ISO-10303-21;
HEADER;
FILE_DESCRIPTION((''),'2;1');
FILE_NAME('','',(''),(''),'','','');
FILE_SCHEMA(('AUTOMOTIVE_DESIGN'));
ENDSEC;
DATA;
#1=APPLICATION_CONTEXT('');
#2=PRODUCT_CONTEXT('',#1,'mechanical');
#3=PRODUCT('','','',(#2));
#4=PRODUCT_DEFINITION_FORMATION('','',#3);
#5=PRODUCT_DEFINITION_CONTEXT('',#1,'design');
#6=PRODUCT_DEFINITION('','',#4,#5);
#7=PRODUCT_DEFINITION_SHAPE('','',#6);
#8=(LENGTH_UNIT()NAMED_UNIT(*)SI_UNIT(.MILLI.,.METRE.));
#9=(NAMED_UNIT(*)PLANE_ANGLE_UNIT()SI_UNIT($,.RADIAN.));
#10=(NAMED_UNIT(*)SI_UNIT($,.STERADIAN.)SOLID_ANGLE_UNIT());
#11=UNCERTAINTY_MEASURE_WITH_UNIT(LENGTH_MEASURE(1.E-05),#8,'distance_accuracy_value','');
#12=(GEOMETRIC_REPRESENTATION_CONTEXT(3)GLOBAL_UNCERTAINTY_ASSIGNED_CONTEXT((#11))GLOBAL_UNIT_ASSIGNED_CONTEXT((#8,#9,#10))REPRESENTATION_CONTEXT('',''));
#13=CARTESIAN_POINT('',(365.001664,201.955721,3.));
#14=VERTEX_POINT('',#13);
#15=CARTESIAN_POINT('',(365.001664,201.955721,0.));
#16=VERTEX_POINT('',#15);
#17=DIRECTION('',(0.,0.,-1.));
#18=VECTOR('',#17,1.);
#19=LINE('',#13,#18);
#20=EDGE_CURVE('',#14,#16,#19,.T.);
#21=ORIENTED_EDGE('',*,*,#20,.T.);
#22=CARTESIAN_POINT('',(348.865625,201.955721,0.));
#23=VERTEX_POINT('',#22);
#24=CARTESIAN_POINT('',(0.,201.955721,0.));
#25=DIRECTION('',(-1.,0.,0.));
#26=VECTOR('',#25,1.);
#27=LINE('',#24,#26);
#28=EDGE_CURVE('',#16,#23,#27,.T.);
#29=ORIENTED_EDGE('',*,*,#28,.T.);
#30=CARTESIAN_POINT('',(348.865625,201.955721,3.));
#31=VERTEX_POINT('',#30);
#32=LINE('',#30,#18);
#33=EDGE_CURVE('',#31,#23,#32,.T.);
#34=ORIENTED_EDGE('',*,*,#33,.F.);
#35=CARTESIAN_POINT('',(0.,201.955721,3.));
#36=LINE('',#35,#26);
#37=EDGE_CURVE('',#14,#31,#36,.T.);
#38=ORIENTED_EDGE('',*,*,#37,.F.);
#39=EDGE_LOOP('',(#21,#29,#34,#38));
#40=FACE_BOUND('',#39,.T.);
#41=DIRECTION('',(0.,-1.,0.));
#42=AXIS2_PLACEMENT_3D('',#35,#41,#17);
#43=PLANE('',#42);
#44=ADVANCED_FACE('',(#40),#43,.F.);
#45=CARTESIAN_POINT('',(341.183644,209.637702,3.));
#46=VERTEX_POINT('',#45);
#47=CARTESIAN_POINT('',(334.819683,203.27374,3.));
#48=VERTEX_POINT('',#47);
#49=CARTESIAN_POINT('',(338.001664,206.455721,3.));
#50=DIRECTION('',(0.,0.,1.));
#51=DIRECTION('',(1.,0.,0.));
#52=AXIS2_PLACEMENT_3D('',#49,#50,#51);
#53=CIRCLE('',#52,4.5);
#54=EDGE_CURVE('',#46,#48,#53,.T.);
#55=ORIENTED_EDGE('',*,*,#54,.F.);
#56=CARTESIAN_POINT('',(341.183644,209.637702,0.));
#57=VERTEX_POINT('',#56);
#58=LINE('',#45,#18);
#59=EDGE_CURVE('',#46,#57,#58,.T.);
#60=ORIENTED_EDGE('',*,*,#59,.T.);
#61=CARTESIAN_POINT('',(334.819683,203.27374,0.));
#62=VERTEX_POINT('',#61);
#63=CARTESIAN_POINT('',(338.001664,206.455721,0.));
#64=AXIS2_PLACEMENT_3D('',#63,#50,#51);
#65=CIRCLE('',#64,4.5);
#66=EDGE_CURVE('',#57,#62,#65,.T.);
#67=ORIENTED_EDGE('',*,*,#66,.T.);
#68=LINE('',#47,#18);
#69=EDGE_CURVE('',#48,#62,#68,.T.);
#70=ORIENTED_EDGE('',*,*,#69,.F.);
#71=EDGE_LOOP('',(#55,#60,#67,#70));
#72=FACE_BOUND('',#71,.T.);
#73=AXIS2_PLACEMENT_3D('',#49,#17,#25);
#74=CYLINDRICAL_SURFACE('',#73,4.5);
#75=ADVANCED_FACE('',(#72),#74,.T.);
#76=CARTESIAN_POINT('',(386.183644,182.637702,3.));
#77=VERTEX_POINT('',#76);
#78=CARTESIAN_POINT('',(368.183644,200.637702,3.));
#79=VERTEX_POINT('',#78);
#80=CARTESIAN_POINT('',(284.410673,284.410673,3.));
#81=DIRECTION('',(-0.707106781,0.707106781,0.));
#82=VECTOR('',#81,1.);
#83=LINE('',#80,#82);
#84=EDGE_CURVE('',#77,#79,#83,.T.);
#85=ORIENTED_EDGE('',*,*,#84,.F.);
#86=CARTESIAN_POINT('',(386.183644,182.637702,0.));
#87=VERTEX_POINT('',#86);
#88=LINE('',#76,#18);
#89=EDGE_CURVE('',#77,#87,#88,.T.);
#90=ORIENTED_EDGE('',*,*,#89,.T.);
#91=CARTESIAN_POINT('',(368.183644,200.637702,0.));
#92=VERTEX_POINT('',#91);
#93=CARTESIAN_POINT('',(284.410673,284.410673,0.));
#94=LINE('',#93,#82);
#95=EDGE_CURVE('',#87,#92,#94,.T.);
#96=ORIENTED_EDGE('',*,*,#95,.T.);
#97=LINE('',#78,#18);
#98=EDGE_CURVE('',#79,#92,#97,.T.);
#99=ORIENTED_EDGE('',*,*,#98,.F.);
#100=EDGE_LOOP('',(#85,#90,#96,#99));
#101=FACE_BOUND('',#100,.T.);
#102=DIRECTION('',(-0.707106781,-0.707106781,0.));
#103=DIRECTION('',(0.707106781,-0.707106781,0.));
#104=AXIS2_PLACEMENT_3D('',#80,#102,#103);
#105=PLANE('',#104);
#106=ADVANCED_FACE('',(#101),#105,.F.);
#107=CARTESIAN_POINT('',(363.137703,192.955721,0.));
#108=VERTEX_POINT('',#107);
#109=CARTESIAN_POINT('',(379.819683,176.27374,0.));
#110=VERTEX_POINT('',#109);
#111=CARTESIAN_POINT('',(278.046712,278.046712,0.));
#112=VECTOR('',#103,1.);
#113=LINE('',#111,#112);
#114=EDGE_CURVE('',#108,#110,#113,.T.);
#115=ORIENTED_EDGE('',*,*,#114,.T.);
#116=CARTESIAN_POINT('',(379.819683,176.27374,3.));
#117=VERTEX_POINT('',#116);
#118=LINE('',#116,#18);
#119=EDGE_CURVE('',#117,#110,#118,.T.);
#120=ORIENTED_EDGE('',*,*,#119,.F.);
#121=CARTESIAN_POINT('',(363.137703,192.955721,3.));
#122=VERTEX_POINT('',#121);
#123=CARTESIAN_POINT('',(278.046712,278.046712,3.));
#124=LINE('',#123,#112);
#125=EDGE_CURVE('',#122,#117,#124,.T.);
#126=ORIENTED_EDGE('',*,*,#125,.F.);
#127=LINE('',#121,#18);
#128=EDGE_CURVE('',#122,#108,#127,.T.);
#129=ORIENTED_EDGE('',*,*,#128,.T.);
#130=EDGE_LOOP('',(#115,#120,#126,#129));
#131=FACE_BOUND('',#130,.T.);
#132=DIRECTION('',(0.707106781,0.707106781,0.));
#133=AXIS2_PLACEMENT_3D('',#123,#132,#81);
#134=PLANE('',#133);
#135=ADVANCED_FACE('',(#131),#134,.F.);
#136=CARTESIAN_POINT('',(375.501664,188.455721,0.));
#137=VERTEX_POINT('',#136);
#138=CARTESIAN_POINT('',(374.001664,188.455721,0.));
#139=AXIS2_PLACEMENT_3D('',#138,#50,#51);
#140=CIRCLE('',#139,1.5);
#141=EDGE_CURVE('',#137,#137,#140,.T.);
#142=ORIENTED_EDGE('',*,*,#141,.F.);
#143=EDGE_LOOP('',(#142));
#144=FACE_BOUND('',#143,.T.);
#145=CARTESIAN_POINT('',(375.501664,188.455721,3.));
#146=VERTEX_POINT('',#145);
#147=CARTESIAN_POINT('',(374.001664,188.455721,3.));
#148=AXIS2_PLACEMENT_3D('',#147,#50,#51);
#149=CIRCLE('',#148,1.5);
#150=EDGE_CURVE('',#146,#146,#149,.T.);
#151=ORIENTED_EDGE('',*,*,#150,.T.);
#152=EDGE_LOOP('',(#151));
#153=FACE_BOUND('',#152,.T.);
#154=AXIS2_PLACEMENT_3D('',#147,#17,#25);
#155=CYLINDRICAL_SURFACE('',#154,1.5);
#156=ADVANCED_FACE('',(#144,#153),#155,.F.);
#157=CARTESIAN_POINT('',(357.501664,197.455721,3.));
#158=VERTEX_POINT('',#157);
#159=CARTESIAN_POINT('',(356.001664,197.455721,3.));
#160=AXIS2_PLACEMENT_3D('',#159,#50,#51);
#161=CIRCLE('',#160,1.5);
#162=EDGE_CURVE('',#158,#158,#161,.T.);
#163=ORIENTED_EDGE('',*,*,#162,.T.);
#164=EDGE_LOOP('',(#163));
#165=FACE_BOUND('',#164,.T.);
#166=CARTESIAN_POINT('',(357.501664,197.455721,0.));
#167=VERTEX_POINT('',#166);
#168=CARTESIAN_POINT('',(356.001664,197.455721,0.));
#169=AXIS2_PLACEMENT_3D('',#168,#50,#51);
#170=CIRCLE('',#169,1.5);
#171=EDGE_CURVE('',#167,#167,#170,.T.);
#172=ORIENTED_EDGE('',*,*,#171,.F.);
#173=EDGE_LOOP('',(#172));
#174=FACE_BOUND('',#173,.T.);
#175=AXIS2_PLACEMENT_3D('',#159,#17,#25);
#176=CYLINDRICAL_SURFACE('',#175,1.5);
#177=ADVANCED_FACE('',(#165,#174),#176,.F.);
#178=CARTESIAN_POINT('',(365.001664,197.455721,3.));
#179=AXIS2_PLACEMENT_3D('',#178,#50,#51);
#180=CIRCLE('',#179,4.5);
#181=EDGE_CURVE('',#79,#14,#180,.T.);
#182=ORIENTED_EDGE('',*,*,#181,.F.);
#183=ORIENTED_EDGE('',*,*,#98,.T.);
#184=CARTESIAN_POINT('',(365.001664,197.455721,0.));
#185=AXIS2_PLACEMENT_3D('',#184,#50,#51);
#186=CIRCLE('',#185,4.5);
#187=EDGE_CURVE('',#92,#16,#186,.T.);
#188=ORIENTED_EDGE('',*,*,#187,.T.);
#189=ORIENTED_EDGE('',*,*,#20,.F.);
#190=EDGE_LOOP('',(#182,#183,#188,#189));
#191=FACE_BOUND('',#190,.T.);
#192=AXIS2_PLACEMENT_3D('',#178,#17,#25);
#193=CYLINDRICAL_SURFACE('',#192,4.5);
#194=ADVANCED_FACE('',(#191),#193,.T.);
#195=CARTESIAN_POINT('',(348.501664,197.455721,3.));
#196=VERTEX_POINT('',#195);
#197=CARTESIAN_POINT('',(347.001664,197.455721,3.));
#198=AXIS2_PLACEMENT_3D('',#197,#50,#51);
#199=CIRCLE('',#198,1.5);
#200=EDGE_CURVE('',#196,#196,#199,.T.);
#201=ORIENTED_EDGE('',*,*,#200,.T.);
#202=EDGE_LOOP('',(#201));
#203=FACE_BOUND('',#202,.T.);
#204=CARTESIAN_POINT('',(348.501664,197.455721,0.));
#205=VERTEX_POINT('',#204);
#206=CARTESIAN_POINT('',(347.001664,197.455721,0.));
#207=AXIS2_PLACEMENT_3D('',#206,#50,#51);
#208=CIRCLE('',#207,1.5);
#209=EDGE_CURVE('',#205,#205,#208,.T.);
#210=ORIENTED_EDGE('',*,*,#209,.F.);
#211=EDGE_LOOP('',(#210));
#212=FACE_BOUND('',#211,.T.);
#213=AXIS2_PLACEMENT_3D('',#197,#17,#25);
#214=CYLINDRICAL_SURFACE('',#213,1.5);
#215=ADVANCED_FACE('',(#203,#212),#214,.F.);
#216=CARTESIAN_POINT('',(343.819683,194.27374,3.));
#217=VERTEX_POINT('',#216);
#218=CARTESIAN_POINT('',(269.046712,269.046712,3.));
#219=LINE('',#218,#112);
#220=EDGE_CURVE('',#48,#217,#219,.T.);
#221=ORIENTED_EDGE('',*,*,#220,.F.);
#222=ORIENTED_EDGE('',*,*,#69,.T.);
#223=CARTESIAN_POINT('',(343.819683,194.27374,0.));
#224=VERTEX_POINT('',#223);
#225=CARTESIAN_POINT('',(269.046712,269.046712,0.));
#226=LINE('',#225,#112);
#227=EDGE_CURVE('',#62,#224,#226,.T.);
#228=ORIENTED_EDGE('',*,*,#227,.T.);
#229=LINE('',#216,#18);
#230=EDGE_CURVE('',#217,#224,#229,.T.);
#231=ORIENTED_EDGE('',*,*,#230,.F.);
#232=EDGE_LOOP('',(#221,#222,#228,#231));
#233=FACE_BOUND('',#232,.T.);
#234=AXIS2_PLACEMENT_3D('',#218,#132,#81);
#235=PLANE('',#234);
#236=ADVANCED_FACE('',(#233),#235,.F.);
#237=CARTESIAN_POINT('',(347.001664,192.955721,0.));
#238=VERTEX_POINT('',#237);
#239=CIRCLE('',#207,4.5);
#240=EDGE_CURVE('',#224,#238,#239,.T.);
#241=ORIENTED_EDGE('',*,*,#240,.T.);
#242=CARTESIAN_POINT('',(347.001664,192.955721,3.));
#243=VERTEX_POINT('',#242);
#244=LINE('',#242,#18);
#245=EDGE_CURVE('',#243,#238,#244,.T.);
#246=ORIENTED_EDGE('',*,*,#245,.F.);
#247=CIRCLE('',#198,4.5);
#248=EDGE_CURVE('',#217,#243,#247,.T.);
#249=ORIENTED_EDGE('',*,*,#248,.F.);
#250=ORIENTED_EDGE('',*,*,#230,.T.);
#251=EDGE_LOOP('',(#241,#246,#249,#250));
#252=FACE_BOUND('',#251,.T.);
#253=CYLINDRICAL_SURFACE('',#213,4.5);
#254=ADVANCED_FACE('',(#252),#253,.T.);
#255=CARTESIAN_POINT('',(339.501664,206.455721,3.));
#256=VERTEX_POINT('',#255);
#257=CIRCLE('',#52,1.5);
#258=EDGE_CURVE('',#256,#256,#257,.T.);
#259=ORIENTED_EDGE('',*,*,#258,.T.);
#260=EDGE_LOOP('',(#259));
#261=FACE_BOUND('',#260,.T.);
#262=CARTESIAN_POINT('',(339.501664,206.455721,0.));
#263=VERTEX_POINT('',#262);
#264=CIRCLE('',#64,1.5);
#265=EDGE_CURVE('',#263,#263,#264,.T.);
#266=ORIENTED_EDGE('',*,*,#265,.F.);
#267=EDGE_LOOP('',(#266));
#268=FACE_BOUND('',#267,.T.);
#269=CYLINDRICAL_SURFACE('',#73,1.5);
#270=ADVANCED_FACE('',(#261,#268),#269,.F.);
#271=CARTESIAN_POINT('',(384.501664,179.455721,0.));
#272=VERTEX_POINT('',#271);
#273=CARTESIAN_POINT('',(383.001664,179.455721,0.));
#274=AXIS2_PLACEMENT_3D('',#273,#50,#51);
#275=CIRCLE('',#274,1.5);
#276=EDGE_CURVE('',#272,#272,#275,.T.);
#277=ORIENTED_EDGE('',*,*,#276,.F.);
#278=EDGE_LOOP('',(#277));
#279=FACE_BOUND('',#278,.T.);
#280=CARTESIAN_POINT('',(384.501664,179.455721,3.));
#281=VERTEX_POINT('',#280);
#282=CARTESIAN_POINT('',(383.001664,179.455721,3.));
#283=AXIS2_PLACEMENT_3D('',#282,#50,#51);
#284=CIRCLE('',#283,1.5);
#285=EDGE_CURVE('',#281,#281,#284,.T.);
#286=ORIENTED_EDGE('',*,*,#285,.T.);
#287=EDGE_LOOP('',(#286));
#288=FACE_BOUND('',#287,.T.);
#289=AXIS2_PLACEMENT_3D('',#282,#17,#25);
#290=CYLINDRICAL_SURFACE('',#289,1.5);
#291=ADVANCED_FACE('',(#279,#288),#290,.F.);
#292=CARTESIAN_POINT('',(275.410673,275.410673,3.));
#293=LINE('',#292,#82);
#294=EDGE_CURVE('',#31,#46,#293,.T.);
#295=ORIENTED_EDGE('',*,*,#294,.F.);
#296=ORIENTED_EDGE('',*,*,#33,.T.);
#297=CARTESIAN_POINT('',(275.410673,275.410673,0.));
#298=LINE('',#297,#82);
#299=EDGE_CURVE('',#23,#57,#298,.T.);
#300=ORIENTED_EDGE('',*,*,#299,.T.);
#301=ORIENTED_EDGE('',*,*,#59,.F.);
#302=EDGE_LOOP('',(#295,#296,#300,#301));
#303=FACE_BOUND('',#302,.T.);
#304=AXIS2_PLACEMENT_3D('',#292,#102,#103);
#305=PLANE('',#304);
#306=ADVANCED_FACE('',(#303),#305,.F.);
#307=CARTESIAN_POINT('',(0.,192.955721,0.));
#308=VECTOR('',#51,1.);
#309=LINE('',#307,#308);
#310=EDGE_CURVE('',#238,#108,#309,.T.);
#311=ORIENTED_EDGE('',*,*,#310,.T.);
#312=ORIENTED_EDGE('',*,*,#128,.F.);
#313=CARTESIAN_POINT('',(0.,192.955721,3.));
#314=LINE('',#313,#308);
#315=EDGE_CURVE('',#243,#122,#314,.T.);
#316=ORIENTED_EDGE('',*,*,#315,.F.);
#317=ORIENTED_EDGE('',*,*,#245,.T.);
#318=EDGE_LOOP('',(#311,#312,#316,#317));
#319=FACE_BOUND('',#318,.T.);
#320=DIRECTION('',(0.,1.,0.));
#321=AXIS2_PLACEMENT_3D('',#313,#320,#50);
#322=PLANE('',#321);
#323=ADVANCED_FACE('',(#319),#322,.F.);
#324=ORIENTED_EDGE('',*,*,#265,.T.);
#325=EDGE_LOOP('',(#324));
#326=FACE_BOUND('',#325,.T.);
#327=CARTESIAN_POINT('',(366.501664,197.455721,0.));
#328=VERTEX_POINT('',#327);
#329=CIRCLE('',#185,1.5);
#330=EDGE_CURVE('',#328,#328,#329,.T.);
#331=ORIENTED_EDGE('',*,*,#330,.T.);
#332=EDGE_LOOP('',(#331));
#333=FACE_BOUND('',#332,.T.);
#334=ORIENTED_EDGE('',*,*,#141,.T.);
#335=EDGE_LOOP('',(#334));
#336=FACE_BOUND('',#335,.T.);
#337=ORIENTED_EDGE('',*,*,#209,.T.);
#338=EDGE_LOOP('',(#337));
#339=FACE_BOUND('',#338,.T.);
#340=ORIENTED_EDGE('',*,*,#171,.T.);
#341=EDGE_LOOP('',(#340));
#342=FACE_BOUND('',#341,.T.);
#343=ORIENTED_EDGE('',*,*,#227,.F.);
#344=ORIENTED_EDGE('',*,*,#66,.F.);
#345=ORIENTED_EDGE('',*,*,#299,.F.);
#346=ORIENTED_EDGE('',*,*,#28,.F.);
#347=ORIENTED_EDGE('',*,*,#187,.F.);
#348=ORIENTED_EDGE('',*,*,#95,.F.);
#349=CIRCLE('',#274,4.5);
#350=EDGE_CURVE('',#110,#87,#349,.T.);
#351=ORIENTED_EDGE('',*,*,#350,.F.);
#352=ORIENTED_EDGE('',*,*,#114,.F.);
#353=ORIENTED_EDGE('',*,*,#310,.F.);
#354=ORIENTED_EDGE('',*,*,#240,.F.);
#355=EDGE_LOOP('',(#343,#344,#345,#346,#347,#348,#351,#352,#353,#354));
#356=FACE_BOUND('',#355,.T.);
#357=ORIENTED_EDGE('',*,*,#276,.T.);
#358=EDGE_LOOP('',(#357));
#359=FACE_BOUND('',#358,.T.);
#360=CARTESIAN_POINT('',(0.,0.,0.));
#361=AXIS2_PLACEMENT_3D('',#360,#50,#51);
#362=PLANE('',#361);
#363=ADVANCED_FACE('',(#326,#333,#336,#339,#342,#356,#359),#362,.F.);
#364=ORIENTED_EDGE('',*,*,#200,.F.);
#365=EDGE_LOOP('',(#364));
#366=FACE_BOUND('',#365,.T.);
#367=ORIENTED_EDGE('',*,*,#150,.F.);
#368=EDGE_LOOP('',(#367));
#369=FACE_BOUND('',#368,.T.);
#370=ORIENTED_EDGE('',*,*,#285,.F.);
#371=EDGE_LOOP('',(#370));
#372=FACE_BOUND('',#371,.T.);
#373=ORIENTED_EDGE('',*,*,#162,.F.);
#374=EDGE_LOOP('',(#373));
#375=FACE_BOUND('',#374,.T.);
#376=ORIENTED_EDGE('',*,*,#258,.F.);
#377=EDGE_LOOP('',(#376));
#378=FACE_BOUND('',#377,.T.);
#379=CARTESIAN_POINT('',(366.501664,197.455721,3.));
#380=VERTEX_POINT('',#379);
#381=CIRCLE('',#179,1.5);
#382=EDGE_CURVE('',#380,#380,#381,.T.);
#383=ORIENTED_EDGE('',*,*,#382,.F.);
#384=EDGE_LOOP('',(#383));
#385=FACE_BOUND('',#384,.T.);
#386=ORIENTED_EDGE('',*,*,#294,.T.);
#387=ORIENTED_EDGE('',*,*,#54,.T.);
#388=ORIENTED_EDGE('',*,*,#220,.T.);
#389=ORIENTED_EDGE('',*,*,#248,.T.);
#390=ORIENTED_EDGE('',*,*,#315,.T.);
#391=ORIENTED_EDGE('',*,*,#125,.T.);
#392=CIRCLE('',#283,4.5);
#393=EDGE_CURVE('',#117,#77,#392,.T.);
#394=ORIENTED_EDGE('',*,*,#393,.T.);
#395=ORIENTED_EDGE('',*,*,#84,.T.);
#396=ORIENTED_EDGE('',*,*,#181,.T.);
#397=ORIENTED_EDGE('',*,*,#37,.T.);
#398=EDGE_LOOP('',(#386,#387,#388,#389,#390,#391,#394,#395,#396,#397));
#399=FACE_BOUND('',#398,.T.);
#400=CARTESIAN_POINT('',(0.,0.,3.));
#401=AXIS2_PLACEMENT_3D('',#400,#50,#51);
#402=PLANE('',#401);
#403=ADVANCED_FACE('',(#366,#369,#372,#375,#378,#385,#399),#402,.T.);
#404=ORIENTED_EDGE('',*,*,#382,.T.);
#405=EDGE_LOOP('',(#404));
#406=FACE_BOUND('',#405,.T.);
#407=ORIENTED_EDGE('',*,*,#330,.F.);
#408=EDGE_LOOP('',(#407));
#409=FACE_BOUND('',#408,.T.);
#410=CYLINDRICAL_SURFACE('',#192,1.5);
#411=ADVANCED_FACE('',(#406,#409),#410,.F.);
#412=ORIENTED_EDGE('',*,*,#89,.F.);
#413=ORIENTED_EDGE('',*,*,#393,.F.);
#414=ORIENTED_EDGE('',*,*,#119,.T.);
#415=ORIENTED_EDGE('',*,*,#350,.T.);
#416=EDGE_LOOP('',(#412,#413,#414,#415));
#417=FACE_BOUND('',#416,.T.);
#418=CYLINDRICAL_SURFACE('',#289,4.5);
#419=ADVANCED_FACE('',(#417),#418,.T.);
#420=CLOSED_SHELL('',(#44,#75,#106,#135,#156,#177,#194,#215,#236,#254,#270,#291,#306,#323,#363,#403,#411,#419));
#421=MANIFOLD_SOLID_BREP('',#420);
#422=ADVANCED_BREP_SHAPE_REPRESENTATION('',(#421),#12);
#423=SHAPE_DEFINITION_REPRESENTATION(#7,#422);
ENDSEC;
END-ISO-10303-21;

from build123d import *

# Parameters (mm, degrees)
MODEL_R                 = 1.5
SALIENTE_EXTRUIR1_DEPTH = 3


with BuildPart() as part:
    # Model → Saliente-Extruir1 (new body)
    with BuildSketch(Plane.XY):
        with BuildLine():
            Line((363.137702798, 192.955720999), (379.819683313, 176.273740484))
            ThreePointArc((379.819683313, 176.273740484), (386.183644344, 176.273740484), (386.183644344, 182.637701515))
            Line((386.183644344, 182.637701515), (368.183644344, 200.637701515))
            ThreePointArc((368.183644344, 200.637701515), (366.723739274, 201.613178895), (365.001663828, 201.955720999))
            Line((365.001663828, 201.955720999), (348.865624859, 201.955720999))
            Line((348.865624859, 201.955720999), (341.183644344, 209.637701515))
            ThreePointArc((341.183644344, 209.637701515), (334.819683313, 209.637701515), (334.819683313, 203.273740484))
            Line((334.819683313, 203.273740484), (343.819683313, 194.273740484))
            ThreePointArc((343.819683313, 194.273740484), (345.279588383, 193.298263103), (347.001663828, 192.955720999))
            Line((347.001663828, 192.955720999), (363.137702798, 192.955720999))
        make_face()
        with Locations((356.001663828, 197.455720999)):
            Circle(MODEL_R, mode=Mode.SUBTRACT)
        with Locations((365.001663828, 197.455720999)):
            Circle(MODEL_R, mode=Mode.SUBTRACT)
        with Locations((383.001663828, 179.455720999)):
            Circle(MODEL_R, mode=Mode.SUBTRACT)
        with Locations((374.001663828, 188.455720999)):
            Circle(MODEL_R, mode=Mode.SUBTRACT)
        with Locations((347.001663828, 197.455720999)):
            Circle(MODEL_R, mode=Mode.SUBTRACT)
        with Locations((338.001663828, 206.455720999)):
            Circle(MODEL_R, mode=Mode.SUBTRACT)
    extrude(amount=SALIENTE_EXTRUIR1_DEPTH)


solid = part.part
